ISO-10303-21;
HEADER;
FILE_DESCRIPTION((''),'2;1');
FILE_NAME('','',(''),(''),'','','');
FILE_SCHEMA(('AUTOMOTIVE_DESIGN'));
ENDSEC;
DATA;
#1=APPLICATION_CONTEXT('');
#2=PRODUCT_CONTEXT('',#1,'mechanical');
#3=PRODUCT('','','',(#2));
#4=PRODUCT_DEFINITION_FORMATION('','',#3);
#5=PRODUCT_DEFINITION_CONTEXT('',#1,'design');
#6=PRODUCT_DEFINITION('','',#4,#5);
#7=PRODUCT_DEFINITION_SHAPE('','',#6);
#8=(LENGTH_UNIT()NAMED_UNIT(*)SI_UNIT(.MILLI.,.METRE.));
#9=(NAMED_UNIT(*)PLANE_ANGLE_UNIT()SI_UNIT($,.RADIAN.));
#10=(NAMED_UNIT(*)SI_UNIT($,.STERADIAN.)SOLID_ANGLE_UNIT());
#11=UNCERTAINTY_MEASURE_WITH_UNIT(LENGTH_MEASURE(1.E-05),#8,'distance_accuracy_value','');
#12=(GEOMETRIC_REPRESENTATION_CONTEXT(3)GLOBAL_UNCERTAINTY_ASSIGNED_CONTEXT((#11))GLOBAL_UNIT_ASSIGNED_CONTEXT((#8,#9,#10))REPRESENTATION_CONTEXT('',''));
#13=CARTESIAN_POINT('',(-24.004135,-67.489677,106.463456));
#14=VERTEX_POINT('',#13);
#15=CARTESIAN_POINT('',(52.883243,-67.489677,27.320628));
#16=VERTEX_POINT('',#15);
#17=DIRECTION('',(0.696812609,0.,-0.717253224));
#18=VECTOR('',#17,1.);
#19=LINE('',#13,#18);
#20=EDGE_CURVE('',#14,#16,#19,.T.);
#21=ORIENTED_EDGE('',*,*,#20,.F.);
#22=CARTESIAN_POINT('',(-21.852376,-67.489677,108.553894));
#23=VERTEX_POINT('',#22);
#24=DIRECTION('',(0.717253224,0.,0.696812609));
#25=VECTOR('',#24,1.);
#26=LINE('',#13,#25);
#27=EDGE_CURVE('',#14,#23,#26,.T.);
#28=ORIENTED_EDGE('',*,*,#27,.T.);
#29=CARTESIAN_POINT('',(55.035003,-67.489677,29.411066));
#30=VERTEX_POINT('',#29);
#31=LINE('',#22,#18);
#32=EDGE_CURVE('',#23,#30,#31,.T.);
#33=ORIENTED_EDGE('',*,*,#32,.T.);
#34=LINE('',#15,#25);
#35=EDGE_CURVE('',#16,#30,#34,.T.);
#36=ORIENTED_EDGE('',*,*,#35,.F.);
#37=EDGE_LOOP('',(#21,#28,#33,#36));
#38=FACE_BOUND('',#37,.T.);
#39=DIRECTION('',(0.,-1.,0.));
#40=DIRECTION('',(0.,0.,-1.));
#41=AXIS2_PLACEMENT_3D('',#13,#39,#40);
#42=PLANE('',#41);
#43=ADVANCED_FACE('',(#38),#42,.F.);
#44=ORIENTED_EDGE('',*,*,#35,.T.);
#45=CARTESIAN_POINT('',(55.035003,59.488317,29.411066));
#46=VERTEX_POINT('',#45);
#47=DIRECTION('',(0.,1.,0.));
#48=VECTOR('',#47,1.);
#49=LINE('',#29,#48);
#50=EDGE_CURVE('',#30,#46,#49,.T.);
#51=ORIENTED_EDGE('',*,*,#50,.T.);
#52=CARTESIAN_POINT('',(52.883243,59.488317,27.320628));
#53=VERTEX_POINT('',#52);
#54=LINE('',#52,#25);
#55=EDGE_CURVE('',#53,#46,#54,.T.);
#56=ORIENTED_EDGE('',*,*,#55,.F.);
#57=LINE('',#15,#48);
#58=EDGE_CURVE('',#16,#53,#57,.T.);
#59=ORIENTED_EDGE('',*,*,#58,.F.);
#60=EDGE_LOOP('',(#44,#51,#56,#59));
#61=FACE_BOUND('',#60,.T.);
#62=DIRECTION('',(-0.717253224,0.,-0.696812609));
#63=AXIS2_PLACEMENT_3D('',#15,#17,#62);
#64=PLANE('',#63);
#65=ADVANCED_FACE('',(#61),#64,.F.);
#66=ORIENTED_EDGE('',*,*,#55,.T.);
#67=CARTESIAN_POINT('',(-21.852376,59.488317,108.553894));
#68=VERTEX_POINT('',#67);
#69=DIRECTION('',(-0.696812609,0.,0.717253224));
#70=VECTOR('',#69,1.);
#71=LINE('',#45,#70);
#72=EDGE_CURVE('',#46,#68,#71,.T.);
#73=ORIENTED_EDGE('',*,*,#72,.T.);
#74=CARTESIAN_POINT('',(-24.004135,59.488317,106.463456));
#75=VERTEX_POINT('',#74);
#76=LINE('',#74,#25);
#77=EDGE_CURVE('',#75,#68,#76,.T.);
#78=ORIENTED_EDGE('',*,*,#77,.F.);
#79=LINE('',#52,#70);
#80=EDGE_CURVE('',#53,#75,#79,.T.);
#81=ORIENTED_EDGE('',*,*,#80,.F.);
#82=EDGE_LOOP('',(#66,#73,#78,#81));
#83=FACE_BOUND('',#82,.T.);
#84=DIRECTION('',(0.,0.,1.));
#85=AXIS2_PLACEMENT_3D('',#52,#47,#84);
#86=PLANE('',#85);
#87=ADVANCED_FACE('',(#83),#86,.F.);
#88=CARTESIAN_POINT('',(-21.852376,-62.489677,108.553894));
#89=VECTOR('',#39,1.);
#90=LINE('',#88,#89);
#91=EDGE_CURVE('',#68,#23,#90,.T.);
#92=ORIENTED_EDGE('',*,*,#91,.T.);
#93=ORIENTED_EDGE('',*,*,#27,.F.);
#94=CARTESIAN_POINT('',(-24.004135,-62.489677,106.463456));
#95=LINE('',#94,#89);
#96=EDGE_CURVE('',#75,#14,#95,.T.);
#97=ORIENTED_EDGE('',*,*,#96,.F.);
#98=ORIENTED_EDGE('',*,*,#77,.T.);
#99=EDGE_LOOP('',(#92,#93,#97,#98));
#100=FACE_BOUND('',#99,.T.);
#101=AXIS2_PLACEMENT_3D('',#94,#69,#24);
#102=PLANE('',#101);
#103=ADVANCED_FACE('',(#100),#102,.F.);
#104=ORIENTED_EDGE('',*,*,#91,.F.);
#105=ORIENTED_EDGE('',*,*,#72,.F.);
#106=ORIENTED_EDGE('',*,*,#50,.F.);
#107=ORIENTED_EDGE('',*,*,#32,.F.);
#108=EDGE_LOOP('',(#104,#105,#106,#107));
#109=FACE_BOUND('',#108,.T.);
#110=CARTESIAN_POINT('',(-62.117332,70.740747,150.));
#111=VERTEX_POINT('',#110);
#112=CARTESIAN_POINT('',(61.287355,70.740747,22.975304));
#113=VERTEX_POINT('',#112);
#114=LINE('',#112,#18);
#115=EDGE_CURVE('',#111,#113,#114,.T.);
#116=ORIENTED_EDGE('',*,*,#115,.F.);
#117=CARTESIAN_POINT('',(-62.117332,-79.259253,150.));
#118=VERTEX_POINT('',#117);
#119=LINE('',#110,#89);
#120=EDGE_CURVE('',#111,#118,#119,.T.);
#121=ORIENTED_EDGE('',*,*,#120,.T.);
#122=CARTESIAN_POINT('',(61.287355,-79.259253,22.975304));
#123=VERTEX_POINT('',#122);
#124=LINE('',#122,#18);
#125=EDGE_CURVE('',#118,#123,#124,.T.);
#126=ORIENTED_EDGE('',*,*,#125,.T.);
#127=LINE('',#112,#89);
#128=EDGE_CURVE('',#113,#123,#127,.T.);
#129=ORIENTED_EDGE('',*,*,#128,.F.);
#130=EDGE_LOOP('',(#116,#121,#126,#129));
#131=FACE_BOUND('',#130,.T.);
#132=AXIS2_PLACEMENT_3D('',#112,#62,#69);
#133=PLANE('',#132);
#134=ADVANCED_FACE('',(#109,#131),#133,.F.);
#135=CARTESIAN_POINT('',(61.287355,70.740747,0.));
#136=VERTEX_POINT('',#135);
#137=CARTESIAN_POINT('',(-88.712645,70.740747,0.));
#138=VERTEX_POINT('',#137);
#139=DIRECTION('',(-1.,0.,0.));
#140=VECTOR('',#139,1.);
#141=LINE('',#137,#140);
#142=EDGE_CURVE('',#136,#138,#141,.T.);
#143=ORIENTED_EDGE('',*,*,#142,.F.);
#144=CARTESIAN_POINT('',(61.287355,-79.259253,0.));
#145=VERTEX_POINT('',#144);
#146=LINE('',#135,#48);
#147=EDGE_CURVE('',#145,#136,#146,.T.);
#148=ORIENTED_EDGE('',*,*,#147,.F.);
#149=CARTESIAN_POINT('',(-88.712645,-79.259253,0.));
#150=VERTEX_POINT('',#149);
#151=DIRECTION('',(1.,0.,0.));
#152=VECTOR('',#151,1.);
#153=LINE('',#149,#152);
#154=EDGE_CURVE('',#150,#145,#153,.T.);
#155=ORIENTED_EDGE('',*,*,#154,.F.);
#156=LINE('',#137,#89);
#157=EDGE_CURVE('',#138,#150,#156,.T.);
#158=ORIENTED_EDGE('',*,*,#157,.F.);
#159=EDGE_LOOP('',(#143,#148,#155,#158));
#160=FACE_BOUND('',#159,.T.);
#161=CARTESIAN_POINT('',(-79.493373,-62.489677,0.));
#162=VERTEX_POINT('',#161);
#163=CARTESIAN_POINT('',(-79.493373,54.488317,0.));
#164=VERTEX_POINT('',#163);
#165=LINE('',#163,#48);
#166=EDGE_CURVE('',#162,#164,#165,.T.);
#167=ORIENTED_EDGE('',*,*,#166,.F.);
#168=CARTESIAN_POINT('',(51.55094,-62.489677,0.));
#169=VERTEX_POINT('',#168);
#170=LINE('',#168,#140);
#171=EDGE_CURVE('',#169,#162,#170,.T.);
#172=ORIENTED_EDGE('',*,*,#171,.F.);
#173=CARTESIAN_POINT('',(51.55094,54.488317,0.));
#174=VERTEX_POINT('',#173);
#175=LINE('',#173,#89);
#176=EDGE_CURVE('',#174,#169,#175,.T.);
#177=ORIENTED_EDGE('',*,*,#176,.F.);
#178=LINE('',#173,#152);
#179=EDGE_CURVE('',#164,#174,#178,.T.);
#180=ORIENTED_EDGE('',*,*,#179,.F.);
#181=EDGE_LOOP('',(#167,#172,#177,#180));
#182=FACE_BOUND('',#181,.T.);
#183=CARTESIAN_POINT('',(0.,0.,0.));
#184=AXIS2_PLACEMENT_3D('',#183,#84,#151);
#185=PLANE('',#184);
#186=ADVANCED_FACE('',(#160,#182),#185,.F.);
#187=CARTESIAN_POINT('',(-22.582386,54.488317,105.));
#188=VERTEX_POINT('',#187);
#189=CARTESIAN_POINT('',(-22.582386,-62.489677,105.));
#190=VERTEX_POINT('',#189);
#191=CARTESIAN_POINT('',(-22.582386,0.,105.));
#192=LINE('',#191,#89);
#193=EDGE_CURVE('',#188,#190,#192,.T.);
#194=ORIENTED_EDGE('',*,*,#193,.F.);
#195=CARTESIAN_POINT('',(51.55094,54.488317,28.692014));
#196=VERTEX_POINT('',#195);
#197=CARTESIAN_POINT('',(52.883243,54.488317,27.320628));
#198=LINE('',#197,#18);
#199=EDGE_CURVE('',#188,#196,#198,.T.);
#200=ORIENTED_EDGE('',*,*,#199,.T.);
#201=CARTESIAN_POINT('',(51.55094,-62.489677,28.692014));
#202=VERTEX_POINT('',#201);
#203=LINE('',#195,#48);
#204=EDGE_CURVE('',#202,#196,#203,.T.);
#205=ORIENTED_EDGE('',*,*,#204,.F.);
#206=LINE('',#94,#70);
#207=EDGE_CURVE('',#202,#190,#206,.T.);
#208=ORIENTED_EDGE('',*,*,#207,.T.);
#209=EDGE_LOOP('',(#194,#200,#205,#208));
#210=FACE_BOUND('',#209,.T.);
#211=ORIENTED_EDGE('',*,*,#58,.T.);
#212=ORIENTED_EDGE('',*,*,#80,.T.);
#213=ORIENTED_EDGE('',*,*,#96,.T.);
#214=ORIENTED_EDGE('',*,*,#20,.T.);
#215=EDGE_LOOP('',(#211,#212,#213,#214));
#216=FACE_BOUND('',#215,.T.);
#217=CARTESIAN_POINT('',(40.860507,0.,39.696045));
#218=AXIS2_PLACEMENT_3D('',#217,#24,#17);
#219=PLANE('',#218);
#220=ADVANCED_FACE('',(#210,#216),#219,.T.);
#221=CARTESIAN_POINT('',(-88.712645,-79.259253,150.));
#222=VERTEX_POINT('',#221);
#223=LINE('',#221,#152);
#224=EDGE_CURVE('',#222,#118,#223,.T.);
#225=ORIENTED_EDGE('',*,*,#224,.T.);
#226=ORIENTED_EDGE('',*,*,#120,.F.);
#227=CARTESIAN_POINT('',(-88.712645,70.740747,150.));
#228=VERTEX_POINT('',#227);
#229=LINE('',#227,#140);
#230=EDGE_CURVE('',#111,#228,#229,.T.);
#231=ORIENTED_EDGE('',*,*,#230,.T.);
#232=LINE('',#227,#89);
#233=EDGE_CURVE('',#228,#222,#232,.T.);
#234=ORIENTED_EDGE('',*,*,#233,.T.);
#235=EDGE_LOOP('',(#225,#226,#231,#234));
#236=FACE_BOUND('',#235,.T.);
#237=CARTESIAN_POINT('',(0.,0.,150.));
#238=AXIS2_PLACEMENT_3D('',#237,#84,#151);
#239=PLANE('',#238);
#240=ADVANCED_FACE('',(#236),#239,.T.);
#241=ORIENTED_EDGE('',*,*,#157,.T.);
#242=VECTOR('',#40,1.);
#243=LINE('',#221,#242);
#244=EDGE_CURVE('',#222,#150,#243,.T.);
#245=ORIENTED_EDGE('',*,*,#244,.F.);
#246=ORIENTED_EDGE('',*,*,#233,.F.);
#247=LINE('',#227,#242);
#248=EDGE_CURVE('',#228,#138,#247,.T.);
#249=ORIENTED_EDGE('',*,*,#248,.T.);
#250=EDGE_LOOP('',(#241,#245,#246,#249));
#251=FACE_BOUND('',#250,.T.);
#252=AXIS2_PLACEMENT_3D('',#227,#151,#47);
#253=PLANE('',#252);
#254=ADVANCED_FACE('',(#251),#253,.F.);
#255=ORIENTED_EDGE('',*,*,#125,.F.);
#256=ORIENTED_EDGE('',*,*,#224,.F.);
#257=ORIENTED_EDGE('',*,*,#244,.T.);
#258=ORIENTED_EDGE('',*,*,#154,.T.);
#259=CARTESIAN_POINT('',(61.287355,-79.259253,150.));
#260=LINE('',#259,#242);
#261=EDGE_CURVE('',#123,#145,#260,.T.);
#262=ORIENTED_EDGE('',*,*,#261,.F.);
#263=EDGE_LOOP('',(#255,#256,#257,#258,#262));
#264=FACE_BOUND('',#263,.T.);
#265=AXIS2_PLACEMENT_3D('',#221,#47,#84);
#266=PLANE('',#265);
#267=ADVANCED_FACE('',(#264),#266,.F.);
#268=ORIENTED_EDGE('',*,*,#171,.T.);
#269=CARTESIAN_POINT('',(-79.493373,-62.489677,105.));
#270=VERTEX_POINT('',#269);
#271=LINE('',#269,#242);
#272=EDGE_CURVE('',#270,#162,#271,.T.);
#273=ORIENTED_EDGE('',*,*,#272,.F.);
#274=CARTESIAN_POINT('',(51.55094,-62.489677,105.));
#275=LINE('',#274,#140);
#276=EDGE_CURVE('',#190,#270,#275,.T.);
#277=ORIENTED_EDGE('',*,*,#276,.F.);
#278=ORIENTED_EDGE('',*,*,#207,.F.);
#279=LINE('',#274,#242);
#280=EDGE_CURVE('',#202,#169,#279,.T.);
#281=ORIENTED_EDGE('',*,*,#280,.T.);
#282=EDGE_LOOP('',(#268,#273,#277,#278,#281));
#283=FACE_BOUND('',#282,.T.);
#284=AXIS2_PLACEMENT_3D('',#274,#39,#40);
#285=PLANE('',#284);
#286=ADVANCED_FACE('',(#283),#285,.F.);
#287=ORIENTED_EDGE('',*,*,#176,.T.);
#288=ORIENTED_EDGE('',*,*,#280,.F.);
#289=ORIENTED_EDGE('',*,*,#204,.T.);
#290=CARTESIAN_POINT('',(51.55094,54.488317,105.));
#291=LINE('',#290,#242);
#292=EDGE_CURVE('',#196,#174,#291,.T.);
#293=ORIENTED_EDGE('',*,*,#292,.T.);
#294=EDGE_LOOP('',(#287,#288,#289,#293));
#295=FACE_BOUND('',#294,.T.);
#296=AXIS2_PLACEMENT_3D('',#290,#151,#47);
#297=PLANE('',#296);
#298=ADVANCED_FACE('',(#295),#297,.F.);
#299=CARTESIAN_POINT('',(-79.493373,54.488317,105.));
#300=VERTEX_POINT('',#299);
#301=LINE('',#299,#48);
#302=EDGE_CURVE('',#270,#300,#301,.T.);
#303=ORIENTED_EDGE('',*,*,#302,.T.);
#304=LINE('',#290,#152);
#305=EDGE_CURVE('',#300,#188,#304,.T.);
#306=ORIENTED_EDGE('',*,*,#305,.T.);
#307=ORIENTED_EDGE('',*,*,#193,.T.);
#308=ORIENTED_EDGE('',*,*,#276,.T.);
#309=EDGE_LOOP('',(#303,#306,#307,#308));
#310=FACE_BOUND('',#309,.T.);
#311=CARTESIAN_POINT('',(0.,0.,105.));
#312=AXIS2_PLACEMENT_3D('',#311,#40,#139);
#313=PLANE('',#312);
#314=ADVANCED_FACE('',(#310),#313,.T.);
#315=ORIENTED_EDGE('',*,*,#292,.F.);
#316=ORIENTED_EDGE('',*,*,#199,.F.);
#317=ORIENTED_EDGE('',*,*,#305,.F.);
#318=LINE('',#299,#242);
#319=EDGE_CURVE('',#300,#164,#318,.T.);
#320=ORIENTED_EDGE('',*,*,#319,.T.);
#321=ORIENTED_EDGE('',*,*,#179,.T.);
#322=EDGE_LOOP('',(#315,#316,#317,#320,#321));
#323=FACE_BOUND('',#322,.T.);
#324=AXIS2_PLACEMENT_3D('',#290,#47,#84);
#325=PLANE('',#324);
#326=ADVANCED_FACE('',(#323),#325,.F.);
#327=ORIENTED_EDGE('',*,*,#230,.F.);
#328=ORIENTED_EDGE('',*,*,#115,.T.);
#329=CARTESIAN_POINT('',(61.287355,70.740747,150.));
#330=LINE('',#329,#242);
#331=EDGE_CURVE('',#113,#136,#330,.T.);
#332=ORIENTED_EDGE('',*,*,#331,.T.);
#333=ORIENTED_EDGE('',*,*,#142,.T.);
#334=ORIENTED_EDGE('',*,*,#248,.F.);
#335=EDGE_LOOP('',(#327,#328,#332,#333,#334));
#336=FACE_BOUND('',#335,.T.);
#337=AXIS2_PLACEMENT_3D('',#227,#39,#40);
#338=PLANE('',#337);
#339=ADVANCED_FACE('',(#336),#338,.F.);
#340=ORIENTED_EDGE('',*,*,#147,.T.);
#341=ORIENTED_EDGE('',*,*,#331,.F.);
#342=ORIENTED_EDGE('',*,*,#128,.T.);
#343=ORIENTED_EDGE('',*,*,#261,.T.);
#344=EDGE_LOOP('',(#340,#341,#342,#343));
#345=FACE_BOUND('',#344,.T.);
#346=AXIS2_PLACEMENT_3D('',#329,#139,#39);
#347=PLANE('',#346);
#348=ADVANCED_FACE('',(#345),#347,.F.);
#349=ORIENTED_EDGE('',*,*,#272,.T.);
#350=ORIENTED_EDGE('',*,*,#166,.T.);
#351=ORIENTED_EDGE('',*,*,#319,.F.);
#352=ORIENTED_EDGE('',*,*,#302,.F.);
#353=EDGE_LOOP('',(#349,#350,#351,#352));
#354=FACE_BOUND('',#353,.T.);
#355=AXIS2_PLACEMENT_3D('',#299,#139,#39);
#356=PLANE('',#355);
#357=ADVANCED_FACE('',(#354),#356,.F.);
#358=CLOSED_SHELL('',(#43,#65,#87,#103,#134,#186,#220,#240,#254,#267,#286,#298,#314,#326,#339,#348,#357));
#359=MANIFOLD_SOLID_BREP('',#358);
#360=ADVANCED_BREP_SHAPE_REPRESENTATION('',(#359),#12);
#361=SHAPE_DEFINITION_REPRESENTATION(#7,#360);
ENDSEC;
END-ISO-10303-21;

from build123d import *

# Parameters (mm, degrees)
SKETCH3_W           = 150
SKETCH3_H           = 150
BOSS_EXTRUDE2_DEPTH = 150
CUT_EXTRUDE3_DEPTH  = 150
SKETCH8_W           = 131.044313332
SKETCH8_H           = 116.977993985
CUT_EXTRUDE7_DEPTH  = 105
SKETCH9_W           = 4.954866237
SKETCH9_H           = 116.977993985
CUT_EXTRUDE10_DEPTH = 3
SKETCH10_W          = 105.341543671
SKETCH10_H          = 5
CUT_EXTRUDE12_DEPTH = 3
SKETCH11_W          = 5
SKETCH11_H          = 121.977993985
CUT_EXTRUDE13_DEPTH = 3
SKETCH12_W          = 110.341543671
SKETCH12_H          = 5
CUT_EXTRUDE14_DEPTH = 3


with BuildPart() as part:
    # Sketch3 → Boss-Extrude2 (new body)
    with BuildSketch(Plane.XY):
        with Locations((-13.712644514, -4.259252527)):
            Rectangle(SKETCH3_W, SKETCH3_H)
    extrude(amount=BOSS_EXTRUDE2_DEPTH)

    # Sketch6 → Cut-Extrude3 (cut)
    with BuildSketch(Plane.XZ.offset(79.259252527)):
        Polygon((61.287355486, 22.975304178), (-62.11733168, 150), (61.287355486, 150), align=None)
    extrude(amount=-CUT_EXTRUDE3_DEPTH, mode=Mode.SUBTRACT)

    # Sketch8 → Cut-Extrude7 (cut)
    with BuildSketch(Plane(origin=(0, 0, 0), x_dir=(-1, 0, 0), z_dir=(0, 0, -1))):
        with Locations((13.971216561, -4.00068048)):
            Rectangle(SKETCH8_W, SKETCH8_H)
    extrude(amount=-CUT_EXTRUDE7_DEPTH, mode=Mode.SUBTRACT)

    # Sketch9 → Cut-Extrude10 (cut)
    with BuildSketch(Plane(origin=(43.01226643, 0, 41.786482925), x_dir=(0.696812609304925, 0, -0.71725322412218), z_dir=(0.71725322412218, 0, 0.696812609304925))):
        with Locations((-90.610208196, -4.00068048)):
            Rectangle(SKETCH9_W, SKETCH9_H)
    extrude(amount=-CUT_EXTRUDE10_DEPTH, mode=Mode.SUBTRACT)

    # Sketch10 → Cut-Extrude12 (cut)
    with BuildSketch(Plane(origin=(43.01226643, 0, 41.786482925), x_dir=(0.696812609304925, 0, -0.71725322412218), z_dir=(0.71725322412218, 0, 0.696812609304925))):
        with Locations((-40.416869479, -64.989677472)):
            Rectangle(SKETCH10_W, SKETCH10_H)
    extrude(amount=-CUT_EXTRUDE12_DEPTH, mode=Mode.SUBTRACT)

    # Sketch11 → Cut-Extrude13 (cut)
    with BuildSketch(Plane(origin=(43.01226643, 0, 41.786482925), x_dir=(0.696812609304925, 0, -0.71725322412218), z_dir=(0.71725322412218, 0, 0.696812609304925))):
        with Locations((14.753902357, -6.50068048)):
            Rectangle(SKETCH11_W, SKETCH11_H)
    extrude(amount=-CUT_EXTRUDE13_DEPTH, mode=Mode.SUBTRACT)

    # Sketch12 → Cut-Extrude14 (cut)
    with BuildSketch(Plane(origin=(43.01226643, 0, 41.786482925), x_dir=(0.696812609304925, 0, -0.71725322412218), z_dir=(0.71725322412218, 0, 0.696812609304925))):
        with Locations((-37.916869479, 56.988316513)):
            Rectangle(SKETCH12_W, SKETCH12_H)
    extrude(amount=-CUT_EXTRUDE14_DEPTH, mode=Mode.SUBTRACT)


solid = part.part
